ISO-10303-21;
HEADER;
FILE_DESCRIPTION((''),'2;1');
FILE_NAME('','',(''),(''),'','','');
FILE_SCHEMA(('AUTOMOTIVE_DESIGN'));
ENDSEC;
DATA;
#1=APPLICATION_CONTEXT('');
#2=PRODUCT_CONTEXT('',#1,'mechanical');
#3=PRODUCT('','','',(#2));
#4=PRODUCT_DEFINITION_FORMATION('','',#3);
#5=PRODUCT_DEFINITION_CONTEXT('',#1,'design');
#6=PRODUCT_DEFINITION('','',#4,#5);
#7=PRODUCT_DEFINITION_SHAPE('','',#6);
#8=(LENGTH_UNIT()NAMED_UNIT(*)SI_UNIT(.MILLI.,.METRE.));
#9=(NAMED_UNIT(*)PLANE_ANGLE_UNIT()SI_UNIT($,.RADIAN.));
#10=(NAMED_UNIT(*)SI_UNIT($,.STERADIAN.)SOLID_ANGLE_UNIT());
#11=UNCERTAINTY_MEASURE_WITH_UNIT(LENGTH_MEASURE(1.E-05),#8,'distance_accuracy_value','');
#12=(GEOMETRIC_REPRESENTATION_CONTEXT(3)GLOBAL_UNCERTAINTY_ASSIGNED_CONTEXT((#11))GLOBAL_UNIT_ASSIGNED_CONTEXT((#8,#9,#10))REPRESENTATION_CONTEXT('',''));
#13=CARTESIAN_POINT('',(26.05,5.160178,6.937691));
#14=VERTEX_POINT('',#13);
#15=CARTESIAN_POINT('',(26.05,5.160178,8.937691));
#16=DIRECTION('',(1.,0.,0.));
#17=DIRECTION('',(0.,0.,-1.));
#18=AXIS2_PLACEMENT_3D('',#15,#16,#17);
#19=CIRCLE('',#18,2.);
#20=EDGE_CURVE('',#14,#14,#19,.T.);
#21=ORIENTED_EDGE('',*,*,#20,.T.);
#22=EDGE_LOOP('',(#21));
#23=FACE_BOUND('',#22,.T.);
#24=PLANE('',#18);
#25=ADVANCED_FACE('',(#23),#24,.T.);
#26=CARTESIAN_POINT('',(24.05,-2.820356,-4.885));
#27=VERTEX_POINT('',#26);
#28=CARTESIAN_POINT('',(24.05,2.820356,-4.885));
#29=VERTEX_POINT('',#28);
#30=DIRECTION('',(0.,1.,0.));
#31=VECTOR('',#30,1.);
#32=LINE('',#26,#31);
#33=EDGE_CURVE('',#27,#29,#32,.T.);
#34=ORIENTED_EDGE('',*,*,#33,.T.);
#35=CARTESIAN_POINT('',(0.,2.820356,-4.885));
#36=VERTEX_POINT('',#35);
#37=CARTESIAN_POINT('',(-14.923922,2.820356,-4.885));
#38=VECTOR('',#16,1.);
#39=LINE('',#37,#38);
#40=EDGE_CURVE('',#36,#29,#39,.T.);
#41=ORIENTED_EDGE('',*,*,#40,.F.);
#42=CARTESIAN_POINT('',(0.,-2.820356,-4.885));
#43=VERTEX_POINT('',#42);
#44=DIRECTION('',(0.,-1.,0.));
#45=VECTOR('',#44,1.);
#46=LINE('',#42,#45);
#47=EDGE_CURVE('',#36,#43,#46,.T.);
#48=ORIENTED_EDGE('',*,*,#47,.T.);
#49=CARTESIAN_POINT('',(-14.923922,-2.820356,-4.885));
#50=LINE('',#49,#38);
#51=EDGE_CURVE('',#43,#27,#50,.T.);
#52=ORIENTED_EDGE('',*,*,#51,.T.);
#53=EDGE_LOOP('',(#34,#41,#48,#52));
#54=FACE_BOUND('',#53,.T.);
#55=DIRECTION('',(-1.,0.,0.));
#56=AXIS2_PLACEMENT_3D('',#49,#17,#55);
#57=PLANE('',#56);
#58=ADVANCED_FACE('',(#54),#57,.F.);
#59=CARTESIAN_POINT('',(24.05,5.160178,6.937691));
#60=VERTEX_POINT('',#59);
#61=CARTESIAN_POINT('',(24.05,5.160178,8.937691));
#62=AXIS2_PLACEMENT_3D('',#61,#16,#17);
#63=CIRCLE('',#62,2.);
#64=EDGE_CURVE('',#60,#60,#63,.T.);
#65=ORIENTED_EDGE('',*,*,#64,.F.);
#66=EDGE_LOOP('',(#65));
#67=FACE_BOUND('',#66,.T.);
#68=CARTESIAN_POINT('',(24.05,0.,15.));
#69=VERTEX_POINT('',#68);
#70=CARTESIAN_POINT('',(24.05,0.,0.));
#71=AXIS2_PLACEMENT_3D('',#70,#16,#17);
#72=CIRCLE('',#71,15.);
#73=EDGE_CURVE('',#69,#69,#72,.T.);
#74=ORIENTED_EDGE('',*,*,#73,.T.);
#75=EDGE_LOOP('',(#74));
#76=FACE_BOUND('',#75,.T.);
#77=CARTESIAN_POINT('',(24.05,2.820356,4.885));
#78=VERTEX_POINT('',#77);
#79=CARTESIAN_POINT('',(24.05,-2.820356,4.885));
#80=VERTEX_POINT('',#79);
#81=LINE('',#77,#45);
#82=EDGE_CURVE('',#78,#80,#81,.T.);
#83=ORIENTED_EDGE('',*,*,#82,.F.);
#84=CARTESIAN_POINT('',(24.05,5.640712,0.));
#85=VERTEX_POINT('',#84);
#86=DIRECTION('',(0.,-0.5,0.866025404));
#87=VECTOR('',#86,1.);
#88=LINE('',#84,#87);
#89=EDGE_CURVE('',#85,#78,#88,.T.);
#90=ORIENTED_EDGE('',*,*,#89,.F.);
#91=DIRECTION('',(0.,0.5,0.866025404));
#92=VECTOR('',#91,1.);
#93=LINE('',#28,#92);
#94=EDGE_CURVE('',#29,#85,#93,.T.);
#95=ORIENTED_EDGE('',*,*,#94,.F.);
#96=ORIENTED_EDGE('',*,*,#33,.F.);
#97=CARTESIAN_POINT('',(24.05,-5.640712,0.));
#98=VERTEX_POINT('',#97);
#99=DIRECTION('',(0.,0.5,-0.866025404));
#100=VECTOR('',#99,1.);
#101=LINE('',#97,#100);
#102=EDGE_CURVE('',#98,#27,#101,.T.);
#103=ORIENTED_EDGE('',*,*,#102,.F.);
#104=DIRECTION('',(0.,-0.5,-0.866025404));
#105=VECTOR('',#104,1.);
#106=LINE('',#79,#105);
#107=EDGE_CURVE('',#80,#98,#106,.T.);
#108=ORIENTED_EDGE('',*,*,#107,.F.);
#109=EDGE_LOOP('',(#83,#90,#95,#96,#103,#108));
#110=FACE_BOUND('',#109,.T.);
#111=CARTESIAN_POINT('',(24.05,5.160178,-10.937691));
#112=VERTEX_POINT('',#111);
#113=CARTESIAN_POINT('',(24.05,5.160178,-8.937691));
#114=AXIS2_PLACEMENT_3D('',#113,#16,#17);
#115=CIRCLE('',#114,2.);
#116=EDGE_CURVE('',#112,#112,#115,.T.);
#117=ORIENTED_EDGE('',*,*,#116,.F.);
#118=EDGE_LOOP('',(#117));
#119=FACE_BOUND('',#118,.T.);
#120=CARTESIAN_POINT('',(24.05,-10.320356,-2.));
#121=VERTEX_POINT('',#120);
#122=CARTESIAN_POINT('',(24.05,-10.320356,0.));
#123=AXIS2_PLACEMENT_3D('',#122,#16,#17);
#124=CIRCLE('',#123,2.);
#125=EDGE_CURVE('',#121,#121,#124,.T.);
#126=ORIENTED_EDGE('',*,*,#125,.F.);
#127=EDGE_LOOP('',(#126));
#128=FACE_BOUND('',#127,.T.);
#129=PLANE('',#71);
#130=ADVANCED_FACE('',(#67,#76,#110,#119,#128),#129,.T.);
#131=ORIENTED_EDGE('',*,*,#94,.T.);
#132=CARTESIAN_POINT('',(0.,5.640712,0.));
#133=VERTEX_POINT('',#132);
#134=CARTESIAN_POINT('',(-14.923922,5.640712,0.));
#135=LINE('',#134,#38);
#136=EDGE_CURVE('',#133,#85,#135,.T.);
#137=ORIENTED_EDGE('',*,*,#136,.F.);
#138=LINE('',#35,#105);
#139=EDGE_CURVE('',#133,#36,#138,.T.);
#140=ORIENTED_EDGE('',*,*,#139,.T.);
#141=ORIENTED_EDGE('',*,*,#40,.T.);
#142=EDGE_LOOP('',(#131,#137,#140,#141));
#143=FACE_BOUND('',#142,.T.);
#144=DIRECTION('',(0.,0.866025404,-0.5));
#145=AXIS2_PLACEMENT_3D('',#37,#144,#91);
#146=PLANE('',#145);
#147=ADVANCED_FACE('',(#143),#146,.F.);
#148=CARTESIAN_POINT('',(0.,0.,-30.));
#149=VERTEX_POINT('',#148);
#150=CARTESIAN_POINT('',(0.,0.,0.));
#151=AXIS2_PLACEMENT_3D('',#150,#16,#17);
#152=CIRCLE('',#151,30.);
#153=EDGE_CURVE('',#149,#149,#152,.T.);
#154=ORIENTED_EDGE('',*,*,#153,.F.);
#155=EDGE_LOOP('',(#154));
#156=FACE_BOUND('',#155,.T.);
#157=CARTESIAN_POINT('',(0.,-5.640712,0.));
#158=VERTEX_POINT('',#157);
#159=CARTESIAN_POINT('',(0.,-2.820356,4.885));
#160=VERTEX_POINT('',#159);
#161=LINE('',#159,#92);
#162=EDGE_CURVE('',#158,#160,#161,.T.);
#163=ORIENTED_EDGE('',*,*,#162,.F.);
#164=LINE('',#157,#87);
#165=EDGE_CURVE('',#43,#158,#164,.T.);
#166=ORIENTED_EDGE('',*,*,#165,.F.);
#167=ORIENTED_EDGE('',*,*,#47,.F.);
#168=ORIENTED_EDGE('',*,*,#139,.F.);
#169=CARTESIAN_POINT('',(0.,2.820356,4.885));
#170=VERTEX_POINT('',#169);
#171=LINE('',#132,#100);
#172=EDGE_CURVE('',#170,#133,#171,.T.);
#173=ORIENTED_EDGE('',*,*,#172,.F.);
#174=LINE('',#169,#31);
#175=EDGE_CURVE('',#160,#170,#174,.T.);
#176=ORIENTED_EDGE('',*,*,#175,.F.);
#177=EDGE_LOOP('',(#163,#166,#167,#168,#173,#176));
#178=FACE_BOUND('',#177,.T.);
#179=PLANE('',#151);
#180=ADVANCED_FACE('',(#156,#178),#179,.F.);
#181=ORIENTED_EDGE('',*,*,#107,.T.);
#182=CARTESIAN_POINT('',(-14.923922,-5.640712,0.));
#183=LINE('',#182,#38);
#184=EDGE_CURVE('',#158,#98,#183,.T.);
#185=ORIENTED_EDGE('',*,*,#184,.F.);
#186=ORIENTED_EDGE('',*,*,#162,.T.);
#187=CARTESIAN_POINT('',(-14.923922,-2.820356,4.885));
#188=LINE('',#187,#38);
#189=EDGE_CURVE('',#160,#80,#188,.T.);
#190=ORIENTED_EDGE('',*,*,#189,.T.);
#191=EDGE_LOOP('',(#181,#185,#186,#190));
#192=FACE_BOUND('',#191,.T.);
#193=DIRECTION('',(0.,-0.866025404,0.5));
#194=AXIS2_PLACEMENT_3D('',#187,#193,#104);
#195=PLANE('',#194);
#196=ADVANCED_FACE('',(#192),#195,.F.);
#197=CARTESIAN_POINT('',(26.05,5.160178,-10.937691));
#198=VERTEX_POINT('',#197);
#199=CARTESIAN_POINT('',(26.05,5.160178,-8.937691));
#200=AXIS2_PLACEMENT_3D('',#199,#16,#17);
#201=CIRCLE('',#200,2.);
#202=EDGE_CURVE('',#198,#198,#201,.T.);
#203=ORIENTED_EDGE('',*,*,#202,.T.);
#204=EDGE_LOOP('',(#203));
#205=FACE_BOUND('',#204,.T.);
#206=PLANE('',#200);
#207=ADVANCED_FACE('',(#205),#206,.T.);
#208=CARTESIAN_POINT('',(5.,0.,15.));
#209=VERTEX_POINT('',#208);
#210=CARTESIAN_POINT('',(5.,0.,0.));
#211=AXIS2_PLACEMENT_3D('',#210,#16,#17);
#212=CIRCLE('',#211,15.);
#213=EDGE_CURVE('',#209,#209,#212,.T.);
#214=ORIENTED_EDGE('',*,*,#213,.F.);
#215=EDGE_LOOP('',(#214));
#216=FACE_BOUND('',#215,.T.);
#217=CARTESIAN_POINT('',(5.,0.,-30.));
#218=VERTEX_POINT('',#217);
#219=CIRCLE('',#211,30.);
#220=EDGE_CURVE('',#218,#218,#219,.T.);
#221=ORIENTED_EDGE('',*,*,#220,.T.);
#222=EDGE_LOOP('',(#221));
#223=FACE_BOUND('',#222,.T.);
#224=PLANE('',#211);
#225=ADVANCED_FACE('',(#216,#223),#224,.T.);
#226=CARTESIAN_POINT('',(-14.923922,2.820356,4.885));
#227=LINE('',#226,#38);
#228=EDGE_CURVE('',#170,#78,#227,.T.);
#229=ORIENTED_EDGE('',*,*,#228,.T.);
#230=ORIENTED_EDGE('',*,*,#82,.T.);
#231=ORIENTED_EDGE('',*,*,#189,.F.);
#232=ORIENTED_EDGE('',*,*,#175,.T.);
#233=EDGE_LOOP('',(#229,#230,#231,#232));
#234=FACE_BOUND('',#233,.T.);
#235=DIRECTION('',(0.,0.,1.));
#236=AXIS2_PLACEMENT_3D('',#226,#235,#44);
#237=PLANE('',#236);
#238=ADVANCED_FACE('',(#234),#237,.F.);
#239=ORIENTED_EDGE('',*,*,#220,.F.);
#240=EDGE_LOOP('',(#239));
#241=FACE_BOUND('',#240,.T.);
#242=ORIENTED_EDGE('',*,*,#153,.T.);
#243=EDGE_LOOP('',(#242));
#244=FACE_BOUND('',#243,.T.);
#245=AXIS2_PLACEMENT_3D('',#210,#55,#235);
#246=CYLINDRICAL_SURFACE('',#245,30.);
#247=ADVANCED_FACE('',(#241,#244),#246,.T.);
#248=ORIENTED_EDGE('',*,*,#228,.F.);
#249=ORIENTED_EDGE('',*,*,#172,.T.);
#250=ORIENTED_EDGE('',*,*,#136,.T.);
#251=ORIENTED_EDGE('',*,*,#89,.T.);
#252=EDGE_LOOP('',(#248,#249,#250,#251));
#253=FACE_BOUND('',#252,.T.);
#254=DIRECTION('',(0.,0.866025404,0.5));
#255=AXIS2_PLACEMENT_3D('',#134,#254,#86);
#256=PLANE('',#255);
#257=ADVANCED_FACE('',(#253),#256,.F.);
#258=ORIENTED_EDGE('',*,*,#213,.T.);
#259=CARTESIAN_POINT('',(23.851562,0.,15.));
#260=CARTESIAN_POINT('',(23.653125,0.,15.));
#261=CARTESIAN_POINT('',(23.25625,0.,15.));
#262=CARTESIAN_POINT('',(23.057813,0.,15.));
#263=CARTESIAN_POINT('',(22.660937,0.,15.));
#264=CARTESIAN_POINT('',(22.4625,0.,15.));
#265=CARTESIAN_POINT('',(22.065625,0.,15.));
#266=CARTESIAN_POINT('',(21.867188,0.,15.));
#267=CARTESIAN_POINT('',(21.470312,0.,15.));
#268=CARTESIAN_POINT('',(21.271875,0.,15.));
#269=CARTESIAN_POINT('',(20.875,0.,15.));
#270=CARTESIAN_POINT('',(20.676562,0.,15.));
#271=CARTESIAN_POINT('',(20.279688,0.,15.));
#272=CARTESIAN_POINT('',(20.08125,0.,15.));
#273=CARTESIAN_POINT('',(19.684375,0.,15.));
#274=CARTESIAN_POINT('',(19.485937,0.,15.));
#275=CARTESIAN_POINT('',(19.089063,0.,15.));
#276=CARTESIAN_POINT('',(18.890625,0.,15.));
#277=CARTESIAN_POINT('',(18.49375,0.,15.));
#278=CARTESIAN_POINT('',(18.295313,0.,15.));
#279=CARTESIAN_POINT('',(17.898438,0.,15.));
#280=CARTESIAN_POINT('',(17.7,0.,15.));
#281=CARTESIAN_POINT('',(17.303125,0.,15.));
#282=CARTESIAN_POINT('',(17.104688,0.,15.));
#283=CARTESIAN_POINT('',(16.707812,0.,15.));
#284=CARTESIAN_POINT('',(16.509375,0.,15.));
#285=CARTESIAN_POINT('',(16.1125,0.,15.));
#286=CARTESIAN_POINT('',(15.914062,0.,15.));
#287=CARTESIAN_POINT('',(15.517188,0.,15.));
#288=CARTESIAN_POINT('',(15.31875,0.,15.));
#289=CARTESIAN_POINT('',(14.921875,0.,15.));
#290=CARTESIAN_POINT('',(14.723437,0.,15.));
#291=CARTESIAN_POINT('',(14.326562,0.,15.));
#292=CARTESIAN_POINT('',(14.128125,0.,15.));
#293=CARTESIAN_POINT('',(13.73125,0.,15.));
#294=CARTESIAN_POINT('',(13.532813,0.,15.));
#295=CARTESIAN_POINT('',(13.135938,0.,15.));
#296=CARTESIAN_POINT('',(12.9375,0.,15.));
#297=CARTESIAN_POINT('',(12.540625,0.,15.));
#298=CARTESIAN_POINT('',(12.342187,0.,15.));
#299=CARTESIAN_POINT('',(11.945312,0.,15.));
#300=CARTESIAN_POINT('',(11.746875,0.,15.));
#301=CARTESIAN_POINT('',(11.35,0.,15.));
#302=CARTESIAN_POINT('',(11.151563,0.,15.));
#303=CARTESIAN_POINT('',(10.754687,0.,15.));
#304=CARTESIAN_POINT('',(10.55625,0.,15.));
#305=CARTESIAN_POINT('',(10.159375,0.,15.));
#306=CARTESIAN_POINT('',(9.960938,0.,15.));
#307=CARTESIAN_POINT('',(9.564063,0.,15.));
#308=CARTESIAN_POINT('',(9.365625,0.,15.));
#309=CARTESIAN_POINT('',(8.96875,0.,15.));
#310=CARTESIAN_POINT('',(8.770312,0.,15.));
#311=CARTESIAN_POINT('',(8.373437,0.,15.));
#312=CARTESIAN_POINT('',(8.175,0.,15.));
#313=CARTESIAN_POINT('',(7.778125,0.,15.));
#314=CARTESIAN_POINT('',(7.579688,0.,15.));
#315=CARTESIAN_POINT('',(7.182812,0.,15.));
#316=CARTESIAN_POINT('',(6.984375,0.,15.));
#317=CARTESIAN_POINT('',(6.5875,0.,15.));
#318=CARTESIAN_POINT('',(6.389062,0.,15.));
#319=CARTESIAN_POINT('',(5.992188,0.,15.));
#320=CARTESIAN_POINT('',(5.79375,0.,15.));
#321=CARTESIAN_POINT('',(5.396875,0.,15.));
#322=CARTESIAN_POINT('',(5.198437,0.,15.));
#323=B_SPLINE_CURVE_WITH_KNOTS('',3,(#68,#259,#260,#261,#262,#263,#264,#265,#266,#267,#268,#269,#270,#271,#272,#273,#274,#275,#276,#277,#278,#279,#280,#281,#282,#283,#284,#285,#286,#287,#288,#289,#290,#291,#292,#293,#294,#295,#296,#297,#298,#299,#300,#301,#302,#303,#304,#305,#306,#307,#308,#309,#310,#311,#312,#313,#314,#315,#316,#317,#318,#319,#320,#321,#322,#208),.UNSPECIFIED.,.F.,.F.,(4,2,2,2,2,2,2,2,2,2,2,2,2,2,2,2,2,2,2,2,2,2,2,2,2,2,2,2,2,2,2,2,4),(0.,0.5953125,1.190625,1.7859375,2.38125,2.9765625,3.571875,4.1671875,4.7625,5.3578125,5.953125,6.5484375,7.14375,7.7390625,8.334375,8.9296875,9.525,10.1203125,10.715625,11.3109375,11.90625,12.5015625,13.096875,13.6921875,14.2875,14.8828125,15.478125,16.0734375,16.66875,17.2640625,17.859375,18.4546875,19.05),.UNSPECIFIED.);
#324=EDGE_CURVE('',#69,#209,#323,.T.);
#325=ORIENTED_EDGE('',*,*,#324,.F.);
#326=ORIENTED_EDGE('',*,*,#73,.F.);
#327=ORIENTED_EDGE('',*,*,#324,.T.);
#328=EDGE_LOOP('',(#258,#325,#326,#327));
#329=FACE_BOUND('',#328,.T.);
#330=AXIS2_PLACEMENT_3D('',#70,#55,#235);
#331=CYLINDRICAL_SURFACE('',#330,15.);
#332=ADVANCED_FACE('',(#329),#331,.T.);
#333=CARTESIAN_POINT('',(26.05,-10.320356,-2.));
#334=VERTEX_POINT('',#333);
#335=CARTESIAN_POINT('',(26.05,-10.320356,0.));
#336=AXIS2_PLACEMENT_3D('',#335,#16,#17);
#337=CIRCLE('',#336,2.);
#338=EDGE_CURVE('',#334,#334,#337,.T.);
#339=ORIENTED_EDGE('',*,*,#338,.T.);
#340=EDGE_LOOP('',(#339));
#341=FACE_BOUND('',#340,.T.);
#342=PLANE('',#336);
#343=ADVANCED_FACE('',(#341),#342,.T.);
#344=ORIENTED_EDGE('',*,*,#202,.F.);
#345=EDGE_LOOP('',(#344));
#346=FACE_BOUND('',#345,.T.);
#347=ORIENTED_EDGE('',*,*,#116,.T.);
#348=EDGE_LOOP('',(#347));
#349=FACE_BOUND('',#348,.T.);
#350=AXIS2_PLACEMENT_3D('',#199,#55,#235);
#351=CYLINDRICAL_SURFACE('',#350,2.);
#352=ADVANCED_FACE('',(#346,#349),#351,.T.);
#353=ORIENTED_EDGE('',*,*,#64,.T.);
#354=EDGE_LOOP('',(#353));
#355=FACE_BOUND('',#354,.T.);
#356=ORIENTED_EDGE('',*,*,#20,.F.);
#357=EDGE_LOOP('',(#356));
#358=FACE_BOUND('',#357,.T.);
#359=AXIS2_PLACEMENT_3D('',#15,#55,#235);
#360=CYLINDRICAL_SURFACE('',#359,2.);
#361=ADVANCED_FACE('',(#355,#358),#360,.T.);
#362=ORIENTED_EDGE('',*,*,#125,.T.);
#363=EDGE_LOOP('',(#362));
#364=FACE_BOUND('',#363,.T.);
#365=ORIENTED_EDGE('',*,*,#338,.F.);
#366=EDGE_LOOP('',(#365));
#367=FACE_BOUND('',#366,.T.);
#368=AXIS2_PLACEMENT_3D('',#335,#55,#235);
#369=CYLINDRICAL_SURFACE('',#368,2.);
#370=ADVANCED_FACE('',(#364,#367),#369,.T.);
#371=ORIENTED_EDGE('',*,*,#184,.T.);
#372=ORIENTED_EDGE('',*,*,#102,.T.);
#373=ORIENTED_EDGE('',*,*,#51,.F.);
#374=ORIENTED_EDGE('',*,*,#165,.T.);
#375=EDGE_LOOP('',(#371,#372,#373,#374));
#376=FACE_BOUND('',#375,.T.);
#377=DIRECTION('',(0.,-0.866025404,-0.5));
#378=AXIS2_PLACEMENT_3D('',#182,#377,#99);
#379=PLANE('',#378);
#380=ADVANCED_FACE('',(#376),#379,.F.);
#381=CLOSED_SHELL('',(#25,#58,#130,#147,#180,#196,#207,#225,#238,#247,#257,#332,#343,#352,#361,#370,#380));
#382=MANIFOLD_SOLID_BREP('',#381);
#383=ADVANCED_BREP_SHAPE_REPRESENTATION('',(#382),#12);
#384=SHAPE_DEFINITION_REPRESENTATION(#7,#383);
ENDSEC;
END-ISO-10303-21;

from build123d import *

# Parameters (mm, degrees)
SKETCH2_R           = 30
BOSS_EXTRUDE1_DEPTH = 5
SKETCH3_R           = 15
BOSS_EXTRUDE2_DEPTH = 19.05
CUT_EXTRUDE1_DEPTH  = 24.05
SKETCH5_R           = 2
BOSS_EXTRUDE3_DEPTH = 2


with BuildPart() as part:
    # Sketch2 → Boss-Extrude1 (new body)
    with BuildSketch(Plane(origin=(0, 0, 0), x_dir=(0, 0, -1), z_dir=(1, 0, 0))):
        Circle(SKETCH2_R)
    extrude(amount=BOSS_EXTRUDE1_DEPTH)

    # Sketch3 → Boss-Extrude2 (add)
    with BuildSketch(Plane(origin=(5, 0, 0), x_dir=(0, 0, -1), z_dir=(1, 0, 0))):
        with Locations(Location((0, 0, 0), (0, 0, 180))):
            Circle(SKETCH3_R)
    extrude(amount=BOSS_EXTRUDE2_DEPTH)

    # Sketch4 → Cut-Extrude1 (cut)
    with BuildSketch(Plane(origin=(24.05, 0, 0), x_dir=(0, 0, -1), z_dir=(1, 0, 0))):
        Polygon((0, 5.64071213), (-4.885, 2.820356065), (-4.885, -2.820356065), (0, -5.64071213), (4.885, -2.820356065), (4.885, 2.820356065), align=None)
    extrude(amount=-CUT_EXTRUDE1_DEPTH, mode=Mode.SUBTRACT)

    # Sketch5 → Boss-Extrude3 (add)
    with BuildSketch(Plane(origin=(24.05, 0, 0), x_dir=(0, 0, -1), z_dir=(1, 0, 0))):
        with Locations((8.937690528, 5.160178032)):
            Circle(SKETCH5_R)
        with Locations((-8.937690528, 5.160178032)):
            Circle(SKETCH5_R)
        with Locations((0, -10.320356065)):
            Circle(SKETCH5_R)
    extrude(amount=BOSS_EXTRUDE3_DEPTH)


solid = part.part
